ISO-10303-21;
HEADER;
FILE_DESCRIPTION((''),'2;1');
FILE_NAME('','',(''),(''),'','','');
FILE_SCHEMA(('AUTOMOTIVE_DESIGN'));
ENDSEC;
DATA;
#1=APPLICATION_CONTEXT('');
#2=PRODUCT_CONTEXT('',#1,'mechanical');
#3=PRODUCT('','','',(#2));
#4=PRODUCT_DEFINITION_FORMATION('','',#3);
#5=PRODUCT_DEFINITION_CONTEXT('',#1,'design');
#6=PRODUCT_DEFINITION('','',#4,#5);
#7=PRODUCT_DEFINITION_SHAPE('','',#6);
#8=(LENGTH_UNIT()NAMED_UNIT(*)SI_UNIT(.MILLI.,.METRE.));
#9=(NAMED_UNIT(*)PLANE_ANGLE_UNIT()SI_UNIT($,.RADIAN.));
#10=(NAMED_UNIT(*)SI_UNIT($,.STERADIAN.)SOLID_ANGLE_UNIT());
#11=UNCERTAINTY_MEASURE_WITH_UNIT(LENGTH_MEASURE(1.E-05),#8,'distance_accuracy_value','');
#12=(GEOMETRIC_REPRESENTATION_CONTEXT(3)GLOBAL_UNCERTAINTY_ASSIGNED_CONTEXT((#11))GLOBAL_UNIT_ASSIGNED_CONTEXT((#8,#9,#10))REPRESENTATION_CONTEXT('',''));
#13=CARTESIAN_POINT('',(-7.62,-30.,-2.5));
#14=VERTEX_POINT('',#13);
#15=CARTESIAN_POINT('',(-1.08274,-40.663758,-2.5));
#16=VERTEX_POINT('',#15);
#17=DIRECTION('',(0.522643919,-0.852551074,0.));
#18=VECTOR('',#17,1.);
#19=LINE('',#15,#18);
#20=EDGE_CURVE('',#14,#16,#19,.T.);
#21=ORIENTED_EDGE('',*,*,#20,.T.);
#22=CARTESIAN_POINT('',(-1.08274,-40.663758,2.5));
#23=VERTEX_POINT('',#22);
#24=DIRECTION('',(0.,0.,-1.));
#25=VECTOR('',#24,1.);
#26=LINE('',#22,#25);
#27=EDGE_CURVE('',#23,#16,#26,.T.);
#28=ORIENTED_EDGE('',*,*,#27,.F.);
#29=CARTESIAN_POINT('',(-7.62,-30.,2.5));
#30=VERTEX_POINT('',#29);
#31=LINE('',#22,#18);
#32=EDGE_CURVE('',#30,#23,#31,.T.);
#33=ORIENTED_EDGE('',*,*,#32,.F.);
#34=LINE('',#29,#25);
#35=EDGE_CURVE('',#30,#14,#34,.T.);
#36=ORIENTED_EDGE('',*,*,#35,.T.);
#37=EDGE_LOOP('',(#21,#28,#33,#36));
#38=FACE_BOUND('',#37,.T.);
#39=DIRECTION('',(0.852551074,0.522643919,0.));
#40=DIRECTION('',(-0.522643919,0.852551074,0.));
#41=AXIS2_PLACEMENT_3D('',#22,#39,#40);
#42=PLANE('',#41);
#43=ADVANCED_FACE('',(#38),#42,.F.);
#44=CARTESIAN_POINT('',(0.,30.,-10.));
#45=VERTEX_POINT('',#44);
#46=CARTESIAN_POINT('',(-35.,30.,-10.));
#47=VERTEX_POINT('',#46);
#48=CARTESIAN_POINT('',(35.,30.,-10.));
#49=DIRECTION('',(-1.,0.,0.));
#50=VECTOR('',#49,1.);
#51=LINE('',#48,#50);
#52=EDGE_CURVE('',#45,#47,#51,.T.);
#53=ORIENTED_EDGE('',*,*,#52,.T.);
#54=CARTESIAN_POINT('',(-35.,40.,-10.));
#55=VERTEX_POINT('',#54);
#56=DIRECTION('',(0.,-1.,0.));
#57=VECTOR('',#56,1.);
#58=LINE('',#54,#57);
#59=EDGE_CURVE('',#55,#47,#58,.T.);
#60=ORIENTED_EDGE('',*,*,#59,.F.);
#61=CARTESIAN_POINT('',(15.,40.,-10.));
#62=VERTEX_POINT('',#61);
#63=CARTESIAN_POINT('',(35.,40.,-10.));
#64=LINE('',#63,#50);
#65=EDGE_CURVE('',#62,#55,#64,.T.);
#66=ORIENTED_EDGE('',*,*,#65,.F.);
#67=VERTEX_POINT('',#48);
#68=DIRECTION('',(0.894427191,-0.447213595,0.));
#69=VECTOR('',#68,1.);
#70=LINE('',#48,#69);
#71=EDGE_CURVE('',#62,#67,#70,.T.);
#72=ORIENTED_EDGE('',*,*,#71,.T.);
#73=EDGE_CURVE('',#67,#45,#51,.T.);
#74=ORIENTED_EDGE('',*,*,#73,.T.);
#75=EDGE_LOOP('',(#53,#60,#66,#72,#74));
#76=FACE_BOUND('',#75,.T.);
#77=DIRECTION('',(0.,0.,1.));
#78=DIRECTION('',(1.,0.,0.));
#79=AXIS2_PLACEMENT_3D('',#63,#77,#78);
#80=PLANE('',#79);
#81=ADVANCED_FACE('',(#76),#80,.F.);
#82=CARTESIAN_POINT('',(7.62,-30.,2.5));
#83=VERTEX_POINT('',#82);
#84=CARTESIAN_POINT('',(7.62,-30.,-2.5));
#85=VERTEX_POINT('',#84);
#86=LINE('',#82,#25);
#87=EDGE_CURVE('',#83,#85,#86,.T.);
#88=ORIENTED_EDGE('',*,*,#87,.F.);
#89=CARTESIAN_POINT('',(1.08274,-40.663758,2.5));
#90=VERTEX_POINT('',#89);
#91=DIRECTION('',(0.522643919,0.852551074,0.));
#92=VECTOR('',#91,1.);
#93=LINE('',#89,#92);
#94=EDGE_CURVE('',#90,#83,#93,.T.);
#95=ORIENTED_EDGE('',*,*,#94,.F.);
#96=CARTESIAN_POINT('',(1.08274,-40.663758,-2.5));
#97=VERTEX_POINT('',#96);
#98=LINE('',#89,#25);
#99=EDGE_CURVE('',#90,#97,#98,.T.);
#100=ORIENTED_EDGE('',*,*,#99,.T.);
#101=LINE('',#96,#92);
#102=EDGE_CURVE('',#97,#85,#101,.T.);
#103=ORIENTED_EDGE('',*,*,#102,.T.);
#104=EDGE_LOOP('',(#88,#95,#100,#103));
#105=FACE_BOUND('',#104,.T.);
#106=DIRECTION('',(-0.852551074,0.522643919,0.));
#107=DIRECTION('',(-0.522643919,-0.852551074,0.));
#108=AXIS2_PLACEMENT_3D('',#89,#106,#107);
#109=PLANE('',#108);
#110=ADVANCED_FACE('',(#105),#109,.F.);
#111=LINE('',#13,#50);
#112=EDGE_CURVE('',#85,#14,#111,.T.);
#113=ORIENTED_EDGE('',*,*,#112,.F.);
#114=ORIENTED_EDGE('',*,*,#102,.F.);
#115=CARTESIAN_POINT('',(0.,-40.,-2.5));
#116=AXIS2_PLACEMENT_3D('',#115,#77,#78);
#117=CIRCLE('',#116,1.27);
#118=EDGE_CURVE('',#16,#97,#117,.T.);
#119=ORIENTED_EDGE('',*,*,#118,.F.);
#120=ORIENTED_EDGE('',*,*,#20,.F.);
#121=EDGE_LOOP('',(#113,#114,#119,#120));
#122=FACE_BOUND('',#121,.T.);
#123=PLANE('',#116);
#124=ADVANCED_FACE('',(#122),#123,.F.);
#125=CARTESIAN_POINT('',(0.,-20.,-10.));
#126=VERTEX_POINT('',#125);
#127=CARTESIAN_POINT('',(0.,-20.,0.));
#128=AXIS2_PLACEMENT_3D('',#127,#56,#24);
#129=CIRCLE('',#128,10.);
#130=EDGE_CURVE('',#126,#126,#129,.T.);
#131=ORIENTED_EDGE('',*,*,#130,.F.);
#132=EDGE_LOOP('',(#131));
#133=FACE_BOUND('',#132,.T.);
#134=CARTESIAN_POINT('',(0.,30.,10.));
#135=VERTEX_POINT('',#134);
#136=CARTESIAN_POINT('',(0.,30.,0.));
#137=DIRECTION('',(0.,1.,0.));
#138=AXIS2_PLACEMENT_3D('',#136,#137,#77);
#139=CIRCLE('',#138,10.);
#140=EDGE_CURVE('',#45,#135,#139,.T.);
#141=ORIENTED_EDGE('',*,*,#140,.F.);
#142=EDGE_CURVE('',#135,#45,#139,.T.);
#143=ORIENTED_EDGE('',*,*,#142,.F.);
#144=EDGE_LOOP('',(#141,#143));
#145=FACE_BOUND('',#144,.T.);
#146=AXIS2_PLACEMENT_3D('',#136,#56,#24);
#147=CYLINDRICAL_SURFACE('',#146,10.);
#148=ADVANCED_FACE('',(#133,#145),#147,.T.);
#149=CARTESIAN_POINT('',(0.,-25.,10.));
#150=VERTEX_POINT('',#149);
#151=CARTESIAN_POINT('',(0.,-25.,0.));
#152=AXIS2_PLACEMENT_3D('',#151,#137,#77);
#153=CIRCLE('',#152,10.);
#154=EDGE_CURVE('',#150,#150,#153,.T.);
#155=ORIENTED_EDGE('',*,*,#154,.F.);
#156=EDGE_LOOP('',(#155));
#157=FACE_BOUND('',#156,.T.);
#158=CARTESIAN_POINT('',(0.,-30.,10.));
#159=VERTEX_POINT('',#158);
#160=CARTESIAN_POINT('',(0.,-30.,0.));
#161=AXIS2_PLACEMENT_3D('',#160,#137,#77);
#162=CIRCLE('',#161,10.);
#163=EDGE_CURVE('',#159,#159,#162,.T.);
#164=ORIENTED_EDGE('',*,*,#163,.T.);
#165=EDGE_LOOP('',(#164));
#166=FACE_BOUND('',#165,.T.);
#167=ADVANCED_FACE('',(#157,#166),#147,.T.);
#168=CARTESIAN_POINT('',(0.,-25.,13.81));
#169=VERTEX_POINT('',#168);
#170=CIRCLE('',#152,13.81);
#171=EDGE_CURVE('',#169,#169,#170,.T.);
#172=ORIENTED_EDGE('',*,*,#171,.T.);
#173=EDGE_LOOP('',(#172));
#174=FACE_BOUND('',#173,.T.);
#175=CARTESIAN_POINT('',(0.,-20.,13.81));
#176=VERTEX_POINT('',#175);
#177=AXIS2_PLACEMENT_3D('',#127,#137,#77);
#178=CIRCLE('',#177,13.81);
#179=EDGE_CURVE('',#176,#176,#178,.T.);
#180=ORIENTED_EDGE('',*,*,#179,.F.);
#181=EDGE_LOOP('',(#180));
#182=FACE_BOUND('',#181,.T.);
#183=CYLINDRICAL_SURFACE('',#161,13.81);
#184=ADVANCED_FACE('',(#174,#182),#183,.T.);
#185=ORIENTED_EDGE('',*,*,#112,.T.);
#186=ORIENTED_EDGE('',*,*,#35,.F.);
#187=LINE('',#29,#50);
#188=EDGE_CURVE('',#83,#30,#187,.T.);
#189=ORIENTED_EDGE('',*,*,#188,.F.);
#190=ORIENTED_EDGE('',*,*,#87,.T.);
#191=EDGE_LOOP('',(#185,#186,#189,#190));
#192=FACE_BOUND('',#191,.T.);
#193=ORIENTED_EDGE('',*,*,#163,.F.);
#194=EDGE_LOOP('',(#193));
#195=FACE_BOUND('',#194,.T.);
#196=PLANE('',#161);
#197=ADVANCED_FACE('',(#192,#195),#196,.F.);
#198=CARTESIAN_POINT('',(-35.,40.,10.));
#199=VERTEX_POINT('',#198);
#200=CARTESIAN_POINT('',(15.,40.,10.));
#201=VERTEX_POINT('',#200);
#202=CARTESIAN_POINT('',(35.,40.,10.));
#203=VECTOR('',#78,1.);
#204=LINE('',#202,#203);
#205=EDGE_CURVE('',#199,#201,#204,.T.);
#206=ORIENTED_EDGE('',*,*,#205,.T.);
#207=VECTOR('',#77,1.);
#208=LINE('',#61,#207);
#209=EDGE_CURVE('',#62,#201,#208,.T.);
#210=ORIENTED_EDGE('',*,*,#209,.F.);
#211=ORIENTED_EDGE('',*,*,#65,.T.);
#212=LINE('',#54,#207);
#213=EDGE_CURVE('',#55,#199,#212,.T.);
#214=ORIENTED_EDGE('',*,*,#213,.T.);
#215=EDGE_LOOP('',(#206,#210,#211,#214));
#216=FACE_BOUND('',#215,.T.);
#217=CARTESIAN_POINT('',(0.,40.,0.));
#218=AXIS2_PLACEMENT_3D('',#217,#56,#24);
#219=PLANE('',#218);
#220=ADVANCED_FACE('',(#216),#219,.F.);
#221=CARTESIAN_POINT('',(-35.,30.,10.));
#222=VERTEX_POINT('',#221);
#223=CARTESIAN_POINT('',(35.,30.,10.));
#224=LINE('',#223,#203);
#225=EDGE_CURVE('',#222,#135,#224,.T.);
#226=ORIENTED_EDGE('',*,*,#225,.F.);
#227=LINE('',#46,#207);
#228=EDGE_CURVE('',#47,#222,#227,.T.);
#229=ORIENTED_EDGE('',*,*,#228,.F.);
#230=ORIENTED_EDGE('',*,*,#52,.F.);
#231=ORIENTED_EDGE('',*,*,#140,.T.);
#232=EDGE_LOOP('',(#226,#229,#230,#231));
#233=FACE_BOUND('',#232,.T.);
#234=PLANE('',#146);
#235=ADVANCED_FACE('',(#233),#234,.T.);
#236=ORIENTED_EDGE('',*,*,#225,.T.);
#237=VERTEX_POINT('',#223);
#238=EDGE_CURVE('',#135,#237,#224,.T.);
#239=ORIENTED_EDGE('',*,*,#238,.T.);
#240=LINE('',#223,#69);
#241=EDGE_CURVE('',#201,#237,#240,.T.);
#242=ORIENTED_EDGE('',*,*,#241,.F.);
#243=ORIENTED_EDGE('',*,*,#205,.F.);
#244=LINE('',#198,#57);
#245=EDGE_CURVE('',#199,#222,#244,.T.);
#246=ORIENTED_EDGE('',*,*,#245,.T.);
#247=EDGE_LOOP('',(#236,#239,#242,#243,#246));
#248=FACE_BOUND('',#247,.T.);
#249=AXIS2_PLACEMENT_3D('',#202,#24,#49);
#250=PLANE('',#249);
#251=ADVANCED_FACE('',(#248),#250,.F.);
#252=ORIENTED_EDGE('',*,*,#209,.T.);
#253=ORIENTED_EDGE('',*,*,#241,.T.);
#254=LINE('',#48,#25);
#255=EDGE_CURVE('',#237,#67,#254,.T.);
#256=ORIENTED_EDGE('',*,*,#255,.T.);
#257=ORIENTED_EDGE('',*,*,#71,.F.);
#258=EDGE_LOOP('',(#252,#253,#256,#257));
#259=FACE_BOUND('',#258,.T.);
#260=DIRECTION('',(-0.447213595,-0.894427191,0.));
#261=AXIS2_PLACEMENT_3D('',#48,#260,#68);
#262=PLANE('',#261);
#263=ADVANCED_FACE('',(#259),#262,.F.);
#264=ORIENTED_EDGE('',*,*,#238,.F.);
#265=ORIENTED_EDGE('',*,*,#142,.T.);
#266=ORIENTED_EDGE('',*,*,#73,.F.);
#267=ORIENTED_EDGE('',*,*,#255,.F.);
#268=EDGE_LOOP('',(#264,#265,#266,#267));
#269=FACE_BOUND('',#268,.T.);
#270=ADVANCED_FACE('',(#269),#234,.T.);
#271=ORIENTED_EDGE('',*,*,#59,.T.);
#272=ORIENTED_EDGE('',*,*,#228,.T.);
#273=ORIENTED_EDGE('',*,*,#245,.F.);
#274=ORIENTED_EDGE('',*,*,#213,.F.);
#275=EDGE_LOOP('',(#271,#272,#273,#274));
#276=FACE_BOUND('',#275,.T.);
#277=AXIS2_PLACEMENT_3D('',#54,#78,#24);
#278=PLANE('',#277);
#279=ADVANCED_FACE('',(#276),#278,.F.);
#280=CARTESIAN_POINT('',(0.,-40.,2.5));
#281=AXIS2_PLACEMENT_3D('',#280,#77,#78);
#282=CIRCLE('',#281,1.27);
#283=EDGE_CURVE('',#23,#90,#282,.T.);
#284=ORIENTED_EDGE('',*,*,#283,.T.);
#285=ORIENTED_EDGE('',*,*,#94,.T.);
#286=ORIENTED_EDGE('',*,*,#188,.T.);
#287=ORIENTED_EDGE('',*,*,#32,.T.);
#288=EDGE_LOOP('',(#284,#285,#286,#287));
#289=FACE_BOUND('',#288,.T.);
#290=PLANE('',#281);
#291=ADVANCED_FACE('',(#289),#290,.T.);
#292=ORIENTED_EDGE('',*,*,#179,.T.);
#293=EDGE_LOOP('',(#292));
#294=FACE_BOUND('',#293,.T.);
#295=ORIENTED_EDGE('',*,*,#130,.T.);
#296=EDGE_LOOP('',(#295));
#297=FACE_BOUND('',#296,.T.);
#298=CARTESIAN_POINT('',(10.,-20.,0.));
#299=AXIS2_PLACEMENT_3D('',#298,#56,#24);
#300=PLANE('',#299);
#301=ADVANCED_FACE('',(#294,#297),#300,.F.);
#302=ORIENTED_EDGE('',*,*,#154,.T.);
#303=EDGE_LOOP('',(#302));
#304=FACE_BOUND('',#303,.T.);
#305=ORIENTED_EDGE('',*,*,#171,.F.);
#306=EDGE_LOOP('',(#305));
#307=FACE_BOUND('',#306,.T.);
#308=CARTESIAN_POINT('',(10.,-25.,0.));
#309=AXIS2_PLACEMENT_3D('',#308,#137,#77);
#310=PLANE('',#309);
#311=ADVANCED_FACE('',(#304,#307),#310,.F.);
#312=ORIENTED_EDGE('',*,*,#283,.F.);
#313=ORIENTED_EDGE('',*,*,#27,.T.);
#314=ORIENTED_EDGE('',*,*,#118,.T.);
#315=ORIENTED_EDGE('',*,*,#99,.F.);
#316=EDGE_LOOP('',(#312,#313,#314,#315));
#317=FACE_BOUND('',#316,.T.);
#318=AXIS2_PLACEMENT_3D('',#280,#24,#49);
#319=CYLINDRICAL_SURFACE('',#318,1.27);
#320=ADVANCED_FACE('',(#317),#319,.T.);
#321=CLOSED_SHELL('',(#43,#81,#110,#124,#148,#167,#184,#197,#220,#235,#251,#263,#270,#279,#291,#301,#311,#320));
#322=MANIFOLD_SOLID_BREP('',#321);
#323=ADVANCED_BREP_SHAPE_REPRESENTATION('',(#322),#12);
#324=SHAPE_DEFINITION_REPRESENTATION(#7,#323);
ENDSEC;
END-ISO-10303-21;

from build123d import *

# Parameters (mm, degrees)
CROQUIS2_R              = 10
SALIENTE_EXTRUIR1_DEPTH = 30
SALIENTE_EXTRUIR2_DEPTH = 2.5
CROQUIS4_W              = 3.81
CROQUIS4_H              = 5
CROQUIS5_W              = 70
CROQUIS5_H              = 20
SALIENTE_EXTRUIR3_DEPTH = 10
CORTAR_EXTRUIR1_DEPTH   = 20


with BuildPart() as part:
    # Croquis2 → Saliente-Extruir1 (new, symmetric)
    with BuildSketch(Plane(origin=(0, 0, 0), x_dir=(1, 0, 0), z_dir=(0, 1, 0))):
        Circle(CROQUIS2_R)
    extrude(amount=SALIENTE_EXTRUIR1_DEPTH, both=True)

    # Croquis3 → Saliente-Extruir2 (add, symmetric)
    with BuildSketch(Plane.XY):
        with BuildLine():
            Line((-1.082739864, -40.663757777), (-7.62, -30))
            Line((-7.62, -30), (7.62, -30))
            Line((7.62, -30), (1.082739864, -40.663757777))
            ThreePointArc((1.082739864, -40.663757777), (0, -41.27), (-1.082739864, -40.663757777))
        make_face()
    extrude(amount=SALIENTE_EXTRUIR2_DEPTH, both=True)

    # Croquis4 → Revolución1 (revolve)
    with BuildSketch(Plane.XY):
        with Locations((11.905, -22.5)):
            Rectangle(CROQUIS4_W, CROQUIS4_H)
    revolve(axis=Axis((0, -30, 0), (0, -1, 0)))

    # Croquis5 → Saliente-Extruir3 (add)
    with BuildSketch(Plane(origin=(0, 30, 0), x_dir=(1, 0, 0), z_dir=(0, 1, 0))):
        Rectangle(CROQUIS5_W, CROQUIS5_H)
    extrude(amount=SALIENTE_EXTRUIR3_DEPTH)

    # Croquis6 → Cortar-Extruir1 (cut)
    with BuildSketch(Plane.XY.offset(10)):
        Polygon((35, 30), (15, 40), (35, 40), align=None)
    extrude(amount=-CORTAR_EXTRUIR1_DEPTH, mode=Mode.SUBTRACT)


solid = part.part
